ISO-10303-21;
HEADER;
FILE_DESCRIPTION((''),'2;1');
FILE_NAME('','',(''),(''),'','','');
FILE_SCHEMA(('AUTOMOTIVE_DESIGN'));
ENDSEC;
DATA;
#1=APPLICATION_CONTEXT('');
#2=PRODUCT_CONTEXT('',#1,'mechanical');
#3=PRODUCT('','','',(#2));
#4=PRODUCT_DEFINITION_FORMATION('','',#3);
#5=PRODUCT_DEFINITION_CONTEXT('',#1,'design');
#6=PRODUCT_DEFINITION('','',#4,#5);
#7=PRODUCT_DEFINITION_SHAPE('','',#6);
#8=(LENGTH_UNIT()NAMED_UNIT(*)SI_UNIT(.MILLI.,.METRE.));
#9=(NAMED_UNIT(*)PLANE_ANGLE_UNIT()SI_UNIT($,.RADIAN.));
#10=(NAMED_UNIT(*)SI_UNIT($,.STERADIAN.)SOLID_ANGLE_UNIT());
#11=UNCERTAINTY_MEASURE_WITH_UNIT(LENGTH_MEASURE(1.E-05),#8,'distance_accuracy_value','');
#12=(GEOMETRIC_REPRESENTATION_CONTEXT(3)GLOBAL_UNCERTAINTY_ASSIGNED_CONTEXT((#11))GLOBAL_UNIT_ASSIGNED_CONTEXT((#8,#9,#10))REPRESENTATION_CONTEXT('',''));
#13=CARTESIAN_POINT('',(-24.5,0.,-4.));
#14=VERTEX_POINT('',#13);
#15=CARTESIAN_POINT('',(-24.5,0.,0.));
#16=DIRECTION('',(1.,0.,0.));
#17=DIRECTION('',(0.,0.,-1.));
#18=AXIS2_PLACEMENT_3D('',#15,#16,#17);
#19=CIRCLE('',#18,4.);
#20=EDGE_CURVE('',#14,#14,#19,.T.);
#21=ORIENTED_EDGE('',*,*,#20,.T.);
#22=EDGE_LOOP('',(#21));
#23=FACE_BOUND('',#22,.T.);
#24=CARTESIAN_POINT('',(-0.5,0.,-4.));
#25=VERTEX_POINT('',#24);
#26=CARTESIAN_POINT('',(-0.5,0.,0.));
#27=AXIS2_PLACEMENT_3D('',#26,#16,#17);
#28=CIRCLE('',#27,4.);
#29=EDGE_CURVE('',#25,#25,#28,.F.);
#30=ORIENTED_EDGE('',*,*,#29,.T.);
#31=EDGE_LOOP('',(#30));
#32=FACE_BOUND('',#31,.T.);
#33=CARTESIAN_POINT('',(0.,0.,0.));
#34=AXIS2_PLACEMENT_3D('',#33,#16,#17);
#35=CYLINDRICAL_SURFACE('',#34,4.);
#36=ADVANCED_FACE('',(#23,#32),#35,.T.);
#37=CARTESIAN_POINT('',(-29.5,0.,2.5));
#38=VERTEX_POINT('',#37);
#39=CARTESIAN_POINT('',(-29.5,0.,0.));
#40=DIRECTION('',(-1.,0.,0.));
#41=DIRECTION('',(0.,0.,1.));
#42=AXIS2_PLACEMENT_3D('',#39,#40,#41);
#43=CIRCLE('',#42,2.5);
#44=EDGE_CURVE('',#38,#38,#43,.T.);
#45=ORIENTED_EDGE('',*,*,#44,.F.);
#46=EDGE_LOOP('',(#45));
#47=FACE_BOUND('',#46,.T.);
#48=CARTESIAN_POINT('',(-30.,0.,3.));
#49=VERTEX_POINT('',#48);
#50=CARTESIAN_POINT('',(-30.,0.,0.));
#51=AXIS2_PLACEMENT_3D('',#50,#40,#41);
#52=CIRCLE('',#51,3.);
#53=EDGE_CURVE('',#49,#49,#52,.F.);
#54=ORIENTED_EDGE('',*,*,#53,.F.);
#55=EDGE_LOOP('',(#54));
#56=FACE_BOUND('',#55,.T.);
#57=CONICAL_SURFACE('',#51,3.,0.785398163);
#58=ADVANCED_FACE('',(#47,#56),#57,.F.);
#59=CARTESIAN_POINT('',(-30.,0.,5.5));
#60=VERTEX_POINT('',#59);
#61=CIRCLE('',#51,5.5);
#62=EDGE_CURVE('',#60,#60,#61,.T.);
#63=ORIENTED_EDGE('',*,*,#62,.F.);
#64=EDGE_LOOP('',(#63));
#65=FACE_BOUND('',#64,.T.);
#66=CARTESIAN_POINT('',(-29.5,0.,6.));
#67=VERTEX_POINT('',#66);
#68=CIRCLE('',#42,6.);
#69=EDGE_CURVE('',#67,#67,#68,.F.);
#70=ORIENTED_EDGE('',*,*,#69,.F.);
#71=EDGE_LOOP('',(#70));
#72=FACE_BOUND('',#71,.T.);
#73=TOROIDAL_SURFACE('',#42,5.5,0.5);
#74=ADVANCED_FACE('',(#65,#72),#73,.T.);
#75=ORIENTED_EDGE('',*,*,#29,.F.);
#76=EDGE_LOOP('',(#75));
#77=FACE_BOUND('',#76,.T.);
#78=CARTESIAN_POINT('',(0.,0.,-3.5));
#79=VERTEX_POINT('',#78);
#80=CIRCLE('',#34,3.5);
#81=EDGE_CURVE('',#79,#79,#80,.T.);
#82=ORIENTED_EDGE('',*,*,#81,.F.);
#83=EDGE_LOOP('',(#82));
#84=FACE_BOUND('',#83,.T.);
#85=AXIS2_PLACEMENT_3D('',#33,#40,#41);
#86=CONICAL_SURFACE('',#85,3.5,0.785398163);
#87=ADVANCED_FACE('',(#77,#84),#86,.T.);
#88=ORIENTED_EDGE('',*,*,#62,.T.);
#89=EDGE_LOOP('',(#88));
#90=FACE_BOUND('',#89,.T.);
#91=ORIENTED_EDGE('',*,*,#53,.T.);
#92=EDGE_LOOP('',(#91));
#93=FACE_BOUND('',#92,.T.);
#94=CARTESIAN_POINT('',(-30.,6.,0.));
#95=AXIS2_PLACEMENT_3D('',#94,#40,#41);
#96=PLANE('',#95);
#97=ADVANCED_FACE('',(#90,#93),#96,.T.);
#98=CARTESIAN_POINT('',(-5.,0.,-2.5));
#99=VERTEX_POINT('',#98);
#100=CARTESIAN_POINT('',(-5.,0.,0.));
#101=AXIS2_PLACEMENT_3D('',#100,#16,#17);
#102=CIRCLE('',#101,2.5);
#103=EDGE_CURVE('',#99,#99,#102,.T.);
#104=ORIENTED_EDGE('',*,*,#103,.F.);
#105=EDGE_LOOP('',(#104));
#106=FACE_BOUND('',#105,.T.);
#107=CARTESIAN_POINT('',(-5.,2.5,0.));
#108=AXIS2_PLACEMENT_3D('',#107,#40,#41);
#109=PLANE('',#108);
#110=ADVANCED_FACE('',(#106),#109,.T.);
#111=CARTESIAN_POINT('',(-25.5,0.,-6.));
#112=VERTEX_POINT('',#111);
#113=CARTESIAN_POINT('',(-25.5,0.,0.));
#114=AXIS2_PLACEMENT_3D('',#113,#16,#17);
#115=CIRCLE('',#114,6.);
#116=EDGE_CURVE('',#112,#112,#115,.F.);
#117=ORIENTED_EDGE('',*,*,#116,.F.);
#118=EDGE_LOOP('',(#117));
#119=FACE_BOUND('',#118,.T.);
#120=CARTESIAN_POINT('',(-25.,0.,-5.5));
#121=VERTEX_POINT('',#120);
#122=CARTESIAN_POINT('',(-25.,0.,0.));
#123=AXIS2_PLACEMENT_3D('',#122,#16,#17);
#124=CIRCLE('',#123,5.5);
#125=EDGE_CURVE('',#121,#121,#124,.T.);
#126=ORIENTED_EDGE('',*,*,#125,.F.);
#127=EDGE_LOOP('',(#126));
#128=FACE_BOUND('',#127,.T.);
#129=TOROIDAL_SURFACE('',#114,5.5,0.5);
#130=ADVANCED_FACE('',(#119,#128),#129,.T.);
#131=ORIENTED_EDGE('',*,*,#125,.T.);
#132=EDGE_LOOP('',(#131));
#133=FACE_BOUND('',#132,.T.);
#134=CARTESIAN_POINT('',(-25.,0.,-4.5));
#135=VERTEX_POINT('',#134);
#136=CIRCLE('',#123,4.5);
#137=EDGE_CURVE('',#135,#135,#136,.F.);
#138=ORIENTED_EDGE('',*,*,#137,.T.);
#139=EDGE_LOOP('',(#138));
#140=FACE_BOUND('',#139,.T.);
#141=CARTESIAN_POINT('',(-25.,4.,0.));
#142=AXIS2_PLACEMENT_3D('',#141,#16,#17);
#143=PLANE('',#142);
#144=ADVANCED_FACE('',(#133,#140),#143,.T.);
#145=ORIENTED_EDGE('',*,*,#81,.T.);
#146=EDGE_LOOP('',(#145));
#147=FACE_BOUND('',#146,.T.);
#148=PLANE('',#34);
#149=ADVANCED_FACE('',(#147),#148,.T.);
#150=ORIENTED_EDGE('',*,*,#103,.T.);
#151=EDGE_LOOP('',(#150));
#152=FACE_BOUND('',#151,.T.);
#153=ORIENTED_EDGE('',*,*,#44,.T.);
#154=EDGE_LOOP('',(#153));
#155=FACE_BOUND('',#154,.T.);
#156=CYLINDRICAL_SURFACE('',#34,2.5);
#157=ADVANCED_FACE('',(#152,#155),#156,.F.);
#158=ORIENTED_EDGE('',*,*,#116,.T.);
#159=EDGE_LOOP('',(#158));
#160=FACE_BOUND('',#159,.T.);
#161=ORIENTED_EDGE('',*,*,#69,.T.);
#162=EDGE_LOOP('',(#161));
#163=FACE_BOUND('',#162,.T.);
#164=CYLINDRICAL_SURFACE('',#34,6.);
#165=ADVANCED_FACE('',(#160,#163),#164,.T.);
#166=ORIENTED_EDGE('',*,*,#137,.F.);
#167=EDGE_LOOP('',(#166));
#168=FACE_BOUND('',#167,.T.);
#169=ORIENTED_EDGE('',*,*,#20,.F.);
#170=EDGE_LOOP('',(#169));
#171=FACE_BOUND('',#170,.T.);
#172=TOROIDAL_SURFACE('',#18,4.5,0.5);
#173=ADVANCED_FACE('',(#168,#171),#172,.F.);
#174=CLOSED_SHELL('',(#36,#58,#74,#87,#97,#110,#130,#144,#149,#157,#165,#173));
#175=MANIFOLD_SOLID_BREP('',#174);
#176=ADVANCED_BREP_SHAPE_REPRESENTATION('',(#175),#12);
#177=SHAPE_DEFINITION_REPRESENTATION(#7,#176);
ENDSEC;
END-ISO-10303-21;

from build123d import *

# Parameters (mm, degrees)
CHAFL_N1_SIZE = 0.5
REDONDEO1_R   = 0.5


with BuildPart() as part:
    # Croquis1 → Revolución1 (revolve)
    with BuildSketch(Plane.XY):
        Polygon((0, 0), (0, 4), (-25, 4), (-25, 6), (-30, 6), (-30, 2.5), (-5, 2.5), (-5, 0), align=None)
    revolve(axis=Axis((0, 0, 0), (-1, 0, 0)))

    # Chaflán1
    chafl_n1_edges = [part.edges().sort_by_distance(p)[0] for p in [
        (-30, -2.5, 0),
        (0, -4, 0),
    ]]
    chamfer(chafl_n1_edges, length=CHAFL_N1_SIZE)

    # Redondeo1
    redondeo1_edges = [part.edges().sort_by_distance(p)[0] for p in [
        (-30, -6, 0),
        (-25, -6, 0),
        (-25, -4, 0),
    ]]
    fillet(redondeo1_edges, radius=REDONDEO1_R)


solid = part.part
